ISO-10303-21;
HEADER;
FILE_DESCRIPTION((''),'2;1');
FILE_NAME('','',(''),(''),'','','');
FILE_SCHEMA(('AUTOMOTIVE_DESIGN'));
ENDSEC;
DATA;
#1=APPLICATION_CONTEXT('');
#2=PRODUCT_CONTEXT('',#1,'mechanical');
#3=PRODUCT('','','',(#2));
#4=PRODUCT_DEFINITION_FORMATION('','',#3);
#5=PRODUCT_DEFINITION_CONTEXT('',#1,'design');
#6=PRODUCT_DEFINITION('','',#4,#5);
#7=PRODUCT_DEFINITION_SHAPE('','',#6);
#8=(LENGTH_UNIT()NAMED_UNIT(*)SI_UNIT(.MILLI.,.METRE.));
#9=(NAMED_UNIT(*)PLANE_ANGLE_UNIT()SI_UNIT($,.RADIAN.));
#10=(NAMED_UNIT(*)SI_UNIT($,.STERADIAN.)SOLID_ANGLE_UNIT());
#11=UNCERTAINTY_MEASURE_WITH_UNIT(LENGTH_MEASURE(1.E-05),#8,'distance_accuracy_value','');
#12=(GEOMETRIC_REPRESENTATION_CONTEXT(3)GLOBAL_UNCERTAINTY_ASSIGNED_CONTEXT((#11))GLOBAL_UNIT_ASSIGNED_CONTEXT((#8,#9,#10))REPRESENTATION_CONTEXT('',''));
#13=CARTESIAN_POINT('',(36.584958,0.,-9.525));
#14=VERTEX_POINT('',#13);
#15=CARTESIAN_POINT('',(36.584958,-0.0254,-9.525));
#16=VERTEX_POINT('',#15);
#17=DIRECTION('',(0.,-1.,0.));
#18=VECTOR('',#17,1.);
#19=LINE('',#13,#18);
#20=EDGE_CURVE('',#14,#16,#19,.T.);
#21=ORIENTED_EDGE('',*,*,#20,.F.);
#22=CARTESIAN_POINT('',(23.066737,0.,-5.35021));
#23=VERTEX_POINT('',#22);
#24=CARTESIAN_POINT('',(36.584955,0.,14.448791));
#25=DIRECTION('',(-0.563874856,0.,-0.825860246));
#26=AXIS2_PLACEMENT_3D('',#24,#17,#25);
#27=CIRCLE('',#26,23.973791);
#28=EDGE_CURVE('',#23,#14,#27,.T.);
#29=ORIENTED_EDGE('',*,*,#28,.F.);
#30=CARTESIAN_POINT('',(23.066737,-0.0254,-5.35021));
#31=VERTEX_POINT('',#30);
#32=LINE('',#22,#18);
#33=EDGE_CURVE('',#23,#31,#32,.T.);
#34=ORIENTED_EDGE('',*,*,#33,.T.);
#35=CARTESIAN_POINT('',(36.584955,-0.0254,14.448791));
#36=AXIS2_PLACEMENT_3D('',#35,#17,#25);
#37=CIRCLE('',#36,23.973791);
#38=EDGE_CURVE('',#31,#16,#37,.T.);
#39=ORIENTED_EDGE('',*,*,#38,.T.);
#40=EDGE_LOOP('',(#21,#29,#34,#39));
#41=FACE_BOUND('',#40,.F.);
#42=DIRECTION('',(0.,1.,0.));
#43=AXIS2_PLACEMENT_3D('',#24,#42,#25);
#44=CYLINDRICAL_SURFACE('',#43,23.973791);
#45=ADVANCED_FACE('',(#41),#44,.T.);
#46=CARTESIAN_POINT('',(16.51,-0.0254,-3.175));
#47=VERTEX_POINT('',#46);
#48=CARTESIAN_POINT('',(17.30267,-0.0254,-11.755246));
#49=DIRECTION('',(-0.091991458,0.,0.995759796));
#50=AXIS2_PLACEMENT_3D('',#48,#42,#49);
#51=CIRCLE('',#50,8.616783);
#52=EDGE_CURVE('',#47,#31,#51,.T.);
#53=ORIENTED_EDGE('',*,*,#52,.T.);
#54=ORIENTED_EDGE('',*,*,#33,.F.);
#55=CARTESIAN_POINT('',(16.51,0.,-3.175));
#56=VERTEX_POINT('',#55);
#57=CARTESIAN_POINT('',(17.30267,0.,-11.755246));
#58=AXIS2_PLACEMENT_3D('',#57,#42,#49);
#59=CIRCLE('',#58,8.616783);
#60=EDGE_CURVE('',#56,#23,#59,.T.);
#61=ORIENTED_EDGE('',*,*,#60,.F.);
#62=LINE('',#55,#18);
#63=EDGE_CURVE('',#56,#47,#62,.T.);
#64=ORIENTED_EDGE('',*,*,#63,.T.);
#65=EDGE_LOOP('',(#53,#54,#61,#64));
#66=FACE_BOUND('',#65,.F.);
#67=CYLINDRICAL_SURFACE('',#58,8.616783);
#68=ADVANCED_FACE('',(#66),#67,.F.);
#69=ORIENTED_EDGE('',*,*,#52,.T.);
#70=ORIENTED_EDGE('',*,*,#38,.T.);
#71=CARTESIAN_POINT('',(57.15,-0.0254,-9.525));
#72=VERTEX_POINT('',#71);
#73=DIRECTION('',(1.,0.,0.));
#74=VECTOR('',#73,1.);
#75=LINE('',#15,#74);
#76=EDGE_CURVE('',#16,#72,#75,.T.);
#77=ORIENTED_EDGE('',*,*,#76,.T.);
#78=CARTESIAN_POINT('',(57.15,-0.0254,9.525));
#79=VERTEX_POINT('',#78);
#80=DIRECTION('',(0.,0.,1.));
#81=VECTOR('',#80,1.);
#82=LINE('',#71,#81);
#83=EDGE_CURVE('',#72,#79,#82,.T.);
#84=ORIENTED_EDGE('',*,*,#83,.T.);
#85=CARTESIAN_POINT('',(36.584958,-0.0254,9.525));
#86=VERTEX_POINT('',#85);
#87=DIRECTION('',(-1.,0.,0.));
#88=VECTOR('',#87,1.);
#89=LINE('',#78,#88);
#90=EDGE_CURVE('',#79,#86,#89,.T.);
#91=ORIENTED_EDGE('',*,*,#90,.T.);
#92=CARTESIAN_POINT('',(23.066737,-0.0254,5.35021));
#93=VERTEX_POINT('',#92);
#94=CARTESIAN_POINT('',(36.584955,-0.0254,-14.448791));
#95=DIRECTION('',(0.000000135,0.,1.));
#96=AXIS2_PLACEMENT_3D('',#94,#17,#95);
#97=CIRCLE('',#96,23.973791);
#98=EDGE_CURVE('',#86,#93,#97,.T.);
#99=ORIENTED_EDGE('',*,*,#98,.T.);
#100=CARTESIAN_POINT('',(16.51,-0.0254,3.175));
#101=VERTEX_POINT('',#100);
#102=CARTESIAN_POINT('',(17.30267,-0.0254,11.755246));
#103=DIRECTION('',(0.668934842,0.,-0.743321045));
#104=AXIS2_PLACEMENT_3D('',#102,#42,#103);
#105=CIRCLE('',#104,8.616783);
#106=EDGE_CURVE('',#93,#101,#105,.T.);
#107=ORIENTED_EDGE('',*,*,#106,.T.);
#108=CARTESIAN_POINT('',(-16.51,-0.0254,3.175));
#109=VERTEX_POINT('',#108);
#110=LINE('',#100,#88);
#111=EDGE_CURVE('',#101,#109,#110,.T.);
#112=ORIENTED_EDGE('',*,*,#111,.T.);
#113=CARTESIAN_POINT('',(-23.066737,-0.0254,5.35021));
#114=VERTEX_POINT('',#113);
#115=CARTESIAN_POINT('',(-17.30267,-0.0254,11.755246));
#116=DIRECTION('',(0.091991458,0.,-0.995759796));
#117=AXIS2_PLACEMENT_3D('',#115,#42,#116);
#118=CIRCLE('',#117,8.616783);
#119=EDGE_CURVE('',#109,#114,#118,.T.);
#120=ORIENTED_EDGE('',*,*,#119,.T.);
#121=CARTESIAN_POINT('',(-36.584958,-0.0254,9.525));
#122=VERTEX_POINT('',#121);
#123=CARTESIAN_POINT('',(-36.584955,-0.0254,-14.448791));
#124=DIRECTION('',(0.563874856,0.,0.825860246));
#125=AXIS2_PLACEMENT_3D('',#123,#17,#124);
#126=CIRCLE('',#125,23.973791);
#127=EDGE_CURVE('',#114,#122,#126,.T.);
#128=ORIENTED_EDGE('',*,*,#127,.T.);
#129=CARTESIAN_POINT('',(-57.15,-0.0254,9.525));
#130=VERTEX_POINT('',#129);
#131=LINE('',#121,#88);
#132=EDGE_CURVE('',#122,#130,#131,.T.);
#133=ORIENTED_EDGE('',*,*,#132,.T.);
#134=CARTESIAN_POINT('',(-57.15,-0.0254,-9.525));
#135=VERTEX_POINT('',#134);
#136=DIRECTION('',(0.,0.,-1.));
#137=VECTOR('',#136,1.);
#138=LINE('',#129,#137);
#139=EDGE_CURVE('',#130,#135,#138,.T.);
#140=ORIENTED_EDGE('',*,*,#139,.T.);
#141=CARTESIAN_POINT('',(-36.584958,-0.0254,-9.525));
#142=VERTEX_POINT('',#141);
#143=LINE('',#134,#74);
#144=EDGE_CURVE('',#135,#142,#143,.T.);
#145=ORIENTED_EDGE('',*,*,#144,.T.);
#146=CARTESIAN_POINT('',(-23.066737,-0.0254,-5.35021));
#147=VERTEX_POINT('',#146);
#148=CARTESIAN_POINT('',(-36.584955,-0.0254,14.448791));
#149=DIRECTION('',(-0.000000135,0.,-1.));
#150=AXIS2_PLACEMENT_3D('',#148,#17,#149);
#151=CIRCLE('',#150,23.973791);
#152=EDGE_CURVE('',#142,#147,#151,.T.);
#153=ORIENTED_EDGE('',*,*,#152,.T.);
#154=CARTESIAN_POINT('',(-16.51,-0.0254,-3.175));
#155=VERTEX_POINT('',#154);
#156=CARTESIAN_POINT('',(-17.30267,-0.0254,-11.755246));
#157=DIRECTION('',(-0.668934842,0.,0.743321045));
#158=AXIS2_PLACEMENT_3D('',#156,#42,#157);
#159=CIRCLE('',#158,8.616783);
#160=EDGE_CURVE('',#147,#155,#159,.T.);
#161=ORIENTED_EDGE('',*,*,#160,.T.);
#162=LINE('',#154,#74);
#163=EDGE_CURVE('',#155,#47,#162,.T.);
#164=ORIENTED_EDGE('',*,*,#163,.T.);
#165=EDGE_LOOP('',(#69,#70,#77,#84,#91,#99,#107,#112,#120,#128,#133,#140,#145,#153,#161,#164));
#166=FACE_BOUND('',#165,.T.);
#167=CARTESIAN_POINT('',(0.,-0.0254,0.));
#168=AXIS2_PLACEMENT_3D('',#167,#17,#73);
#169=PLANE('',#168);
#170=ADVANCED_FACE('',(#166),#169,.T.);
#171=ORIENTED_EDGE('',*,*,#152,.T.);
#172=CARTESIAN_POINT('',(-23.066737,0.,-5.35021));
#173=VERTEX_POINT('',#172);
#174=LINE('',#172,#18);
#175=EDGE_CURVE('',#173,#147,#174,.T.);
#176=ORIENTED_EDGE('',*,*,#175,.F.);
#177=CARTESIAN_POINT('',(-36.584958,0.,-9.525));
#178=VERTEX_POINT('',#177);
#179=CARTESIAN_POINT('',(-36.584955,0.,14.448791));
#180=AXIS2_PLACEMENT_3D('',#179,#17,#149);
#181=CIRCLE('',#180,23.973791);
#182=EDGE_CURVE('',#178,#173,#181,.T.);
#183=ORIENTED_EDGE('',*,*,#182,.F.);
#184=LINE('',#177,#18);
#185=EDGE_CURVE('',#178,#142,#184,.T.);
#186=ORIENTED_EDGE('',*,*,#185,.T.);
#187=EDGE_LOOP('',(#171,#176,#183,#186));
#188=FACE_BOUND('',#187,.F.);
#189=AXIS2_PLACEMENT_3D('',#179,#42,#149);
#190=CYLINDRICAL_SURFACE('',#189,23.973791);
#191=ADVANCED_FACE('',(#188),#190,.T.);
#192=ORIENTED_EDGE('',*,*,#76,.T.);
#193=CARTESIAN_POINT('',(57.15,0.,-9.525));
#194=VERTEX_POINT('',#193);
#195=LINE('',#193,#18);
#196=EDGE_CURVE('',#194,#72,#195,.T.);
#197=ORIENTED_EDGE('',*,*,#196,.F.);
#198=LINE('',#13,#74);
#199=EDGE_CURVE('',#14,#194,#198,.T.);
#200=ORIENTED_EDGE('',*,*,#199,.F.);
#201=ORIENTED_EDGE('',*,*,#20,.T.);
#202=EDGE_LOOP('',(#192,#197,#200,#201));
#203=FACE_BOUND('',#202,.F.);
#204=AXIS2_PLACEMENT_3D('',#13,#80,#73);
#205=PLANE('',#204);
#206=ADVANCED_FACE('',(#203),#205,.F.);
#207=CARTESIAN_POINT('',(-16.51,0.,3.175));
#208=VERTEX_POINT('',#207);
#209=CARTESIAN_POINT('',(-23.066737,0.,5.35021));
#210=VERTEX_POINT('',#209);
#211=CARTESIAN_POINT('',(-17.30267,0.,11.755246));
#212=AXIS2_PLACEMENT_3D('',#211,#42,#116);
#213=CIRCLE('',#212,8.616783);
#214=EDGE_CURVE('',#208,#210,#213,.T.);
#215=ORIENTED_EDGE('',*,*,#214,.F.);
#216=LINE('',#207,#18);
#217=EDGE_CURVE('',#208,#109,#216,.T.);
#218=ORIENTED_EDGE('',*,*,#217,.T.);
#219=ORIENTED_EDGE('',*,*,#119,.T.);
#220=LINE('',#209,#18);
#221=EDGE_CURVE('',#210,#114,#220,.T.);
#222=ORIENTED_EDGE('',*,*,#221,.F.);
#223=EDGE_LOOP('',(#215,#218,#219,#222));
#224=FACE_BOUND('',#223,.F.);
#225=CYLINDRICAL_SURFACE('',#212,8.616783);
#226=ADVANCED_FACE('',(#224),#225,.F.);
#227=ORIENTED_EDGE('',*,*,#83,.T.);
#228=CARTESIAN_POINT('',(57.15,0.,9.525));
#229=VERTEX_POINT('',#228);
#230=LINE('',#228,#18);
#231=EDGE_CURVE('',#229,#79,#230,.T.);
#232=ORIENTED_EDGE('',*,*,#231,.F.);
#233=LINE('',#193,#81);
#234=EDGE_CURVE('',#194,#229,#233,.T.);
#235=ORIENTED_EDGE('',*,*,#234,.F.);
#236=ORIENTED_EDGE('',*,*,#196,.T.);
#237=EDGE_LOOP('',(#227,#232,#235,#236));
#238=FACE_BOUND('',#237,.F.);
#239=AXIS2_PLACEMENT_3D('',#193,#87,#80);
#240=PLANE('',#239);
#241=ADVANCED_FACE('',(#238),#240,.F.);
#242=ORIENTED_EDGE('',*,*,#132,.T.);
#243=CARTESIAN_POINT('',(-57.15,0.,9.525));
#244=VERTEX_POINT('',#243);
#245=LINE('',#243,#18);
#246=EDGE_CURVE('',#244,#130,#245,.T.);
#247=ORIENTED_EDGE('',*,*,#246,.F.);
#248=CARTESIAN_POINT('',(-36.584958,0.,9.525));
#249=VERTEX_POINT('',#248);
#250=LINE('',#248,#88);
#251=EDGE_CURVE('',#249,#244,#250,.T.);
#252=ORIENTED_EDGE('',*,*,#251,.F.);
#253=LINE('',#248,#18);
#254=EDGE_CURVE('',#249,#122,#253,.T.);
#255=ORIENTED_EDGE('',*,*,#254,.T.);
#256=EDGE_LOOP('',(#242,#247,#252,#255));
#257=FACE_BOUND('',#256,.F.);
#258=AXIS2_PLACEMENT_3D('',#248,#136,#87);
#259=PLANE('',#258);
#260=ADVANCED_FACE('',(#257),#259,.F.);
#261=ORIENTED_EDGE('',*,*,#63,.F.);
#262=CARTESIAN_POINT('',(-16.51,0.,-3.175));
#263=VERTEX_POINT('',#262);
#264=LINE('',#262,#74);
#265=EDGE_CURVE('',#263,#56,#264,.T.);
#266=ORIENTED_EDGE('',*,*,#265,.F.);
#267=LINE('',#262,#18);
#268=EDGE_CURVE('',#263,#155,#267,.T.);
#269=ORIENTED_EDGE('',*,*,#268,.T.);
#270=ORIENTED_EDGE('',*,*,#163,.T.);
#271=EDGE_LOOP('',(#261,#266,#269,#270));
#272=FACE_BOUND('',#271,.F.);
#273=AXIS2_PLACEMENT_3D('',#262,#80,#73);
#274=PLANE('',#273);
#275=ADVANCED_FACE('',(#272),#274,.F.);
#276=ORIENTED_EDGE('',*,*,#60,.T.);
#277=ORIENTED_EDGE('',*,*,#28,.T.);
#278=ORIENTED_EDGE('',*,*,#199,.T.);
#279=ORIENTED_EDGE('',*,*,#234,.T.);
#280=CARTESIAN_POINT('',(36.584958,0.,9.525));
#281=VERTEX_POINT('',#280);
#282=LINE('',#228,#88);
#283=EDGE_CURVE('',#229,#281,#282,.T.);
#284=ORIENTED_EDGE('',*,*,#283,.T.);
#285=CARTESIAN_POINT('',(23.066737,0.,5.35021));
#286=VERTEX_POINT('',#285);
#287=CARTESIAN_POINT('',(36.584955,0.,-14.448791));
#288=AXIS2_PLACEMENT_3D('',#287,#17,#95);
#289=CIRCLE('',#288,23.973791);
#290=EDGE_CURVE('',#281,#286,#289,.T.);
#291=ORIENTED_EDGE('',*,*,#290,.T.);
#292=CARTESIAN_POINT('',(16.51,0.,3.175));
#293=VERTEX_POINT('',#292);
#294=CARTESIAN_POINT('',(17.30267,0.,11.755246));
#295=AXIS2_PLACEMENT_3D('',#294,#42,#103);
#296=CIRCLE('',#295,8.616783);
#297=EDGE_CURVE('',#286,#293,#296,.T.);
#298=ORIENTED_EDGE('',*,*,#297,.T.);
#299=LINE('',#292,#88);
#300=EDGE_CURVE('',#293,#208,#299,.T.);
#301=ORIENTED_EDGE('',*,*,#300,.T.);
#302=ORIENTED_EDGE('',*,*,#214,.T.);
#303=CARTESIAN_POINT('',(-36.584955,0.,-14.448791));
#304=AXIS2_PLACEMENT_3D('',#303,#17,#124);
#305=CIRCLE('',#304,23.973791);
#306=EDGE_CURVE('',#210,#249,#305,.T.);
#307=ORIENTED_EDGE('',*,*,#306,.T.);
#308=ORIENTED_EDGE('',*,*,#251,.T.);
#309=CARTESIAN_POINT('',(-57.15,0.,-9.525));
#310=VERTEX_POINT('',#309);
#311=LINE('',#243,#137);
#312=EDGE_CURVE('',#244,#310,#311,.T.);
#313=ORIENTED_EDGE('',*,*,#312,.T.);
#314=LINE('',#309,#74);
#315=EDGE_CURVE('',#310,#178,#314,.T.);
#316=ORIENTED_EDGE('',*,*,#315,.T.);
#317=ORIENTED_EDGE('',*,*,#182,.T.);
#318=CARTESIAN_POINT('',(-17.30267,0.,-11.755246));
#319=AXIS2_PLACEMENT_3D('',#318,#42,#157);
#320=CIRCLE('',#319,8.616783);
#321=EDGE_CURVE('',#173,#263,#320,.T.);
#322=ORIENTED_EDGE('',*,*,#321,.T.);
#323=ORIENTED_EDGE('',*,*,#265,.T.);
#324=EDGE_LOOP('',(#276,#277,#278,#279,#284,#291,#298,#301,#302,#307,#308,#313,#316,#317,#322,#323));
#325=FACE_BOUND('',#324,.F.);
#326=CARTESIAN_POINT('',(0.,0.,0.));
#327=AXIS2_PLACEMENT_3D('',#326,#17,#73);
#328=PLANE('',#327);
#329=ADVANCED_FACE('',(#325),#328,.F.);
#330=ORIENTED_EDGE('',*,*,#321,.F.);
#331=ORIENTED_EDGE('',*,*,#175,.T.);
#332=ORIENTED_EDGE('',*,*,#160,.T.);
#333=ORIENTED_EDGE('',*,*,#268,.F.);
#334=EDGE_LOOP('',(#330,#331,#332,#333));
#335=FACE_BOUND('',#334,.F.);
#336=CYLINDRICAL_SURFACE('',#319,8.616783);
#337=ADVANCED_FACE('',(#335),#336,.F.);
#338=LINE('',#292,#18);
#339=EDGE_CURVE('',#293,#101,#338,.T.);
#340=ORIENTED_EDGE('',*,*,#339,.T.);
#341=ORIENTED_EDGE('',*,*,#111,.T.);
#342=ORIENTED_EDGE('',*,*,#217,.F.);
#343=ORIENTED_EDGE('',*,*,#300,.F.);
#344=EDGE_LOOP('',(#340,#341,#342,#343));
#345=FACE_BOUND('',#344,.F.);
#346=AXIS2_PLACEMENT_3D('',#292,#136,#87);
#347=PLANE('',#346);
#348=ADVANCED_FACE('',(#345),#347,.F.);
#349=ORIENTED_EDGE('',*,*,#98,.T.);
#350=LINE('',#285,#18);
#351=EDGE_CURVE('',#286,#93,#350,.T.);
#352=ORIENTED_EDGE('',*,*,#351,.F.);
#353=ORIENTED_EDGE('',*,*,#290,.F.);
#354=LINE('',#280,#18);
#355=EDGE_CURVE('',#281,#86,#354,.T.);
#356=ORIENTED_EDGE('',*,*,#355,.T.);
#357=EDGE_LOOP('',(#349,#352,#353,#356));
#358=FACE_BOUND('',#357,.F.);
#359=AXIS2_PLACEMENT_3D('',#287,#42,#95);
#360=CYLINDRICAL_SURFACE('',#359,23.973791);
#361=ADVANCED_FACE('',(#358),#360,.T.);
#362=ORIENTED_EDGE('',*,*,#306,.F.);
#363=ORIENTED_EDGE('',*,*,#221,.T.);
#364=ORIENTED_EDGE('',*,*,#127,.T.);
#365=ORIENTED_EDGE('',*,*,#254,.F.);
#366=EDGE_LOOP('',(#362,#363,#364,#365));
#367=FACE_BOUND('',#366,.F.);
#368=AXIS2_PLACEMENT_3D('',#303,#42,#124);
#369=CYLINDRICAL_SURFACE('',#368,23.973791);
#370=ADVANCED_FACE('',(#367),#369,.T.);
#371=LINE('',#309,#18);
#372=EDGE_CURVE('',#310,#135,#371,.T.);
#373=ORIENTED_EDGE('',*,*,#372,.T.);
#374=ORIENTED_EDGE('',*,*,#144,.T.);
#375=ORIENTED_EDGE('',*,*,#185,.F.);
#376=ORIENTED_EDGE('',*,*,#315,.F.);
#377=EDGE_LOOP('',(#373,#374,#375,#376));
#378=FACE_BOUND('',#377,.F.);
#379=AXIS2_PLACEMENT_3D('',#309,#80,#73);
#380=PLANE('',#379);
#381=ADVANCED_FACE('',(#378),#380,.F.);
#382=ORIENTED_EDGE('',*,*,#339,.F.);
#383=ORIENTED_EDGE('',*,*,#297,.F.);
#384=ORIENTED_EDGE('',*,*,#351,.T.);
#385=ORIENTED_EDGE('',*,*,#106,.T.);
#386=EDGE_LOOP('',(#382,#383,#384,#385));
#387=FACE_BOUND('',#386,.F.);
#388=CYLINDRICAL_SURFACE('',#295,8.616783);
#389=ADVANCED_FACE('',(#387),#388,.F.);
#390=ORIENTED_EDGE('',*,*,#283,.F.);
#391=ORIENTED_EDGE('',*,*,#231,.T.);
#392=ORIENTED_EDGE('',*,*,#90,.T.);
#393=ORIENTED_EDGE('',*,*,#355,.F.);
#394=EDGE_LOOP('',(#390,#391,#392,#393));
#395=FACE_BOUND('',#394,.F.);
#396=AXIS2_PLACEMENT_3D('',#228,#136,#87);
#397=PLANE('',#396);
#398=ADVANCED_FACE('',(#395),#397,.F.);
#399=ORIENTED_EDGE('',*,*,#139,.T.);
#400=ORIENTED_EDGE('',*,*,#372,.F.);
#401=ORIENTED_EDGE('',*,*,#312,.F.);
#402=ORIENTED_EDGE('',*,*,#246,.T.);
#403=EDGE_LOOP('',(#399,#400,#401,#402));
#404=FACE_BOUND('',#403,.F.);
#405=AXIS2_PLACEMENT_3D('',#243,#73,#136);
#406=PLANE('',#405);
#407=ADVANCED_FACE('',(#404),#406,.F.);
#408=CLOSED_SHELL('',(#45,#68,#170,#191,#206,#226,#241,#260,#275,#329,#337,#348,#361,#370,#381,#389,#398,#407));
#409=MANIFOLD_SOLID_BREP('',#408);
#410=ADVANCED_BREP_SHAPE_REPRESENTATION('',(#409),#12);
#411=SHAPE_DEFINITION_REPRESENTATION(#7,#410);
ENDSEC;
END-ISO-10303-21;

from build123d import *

# Parameters (mm, degrees)
F1_DEPTH = 0.0254


with BuildPart() as f1:
    # F0 (on Front) → F1 (new body)
    with BuildSketch(Plane.XZ):
        with BuildLine():
            Line((-57.15, 9.525), (-57.15, 0))
            Line((-57.15, 0), (-57.15, -9.525))
            Line((-57.15, -9.525), (-36.584958, -9.525))
            ThreePointArc((-36.584958, -9.525), (-29.510865, -8.457538), (-23.066737, -5.35021))
            ThreePointArc((-23.066737, -5.35021), (-20.015893, -3.576776), (-16.51, -3.175))
            Line((-16.51, -3.175), (0, -3.175))
            Line((0, -3.175), (16.51, -3.175))
            ThreePointArc((16.51, -3.175), (20.015893, -3.576776), (23.066737, -5.35021))
            ThreePointArc((23.066737, -5.35021), (29.510865, -8.457538), (36.584958, -9.525))
            Line((36.584958, -9.525), (57.15, -9.525))
            Line((57.15, -9.525), (57.15, 0))
            Line((57.15, 0), (57.15, 9.525))
            Line((57.15, 9.525), (36.584958, 9.525))
            ThreePointArc((36.584958, 9.525), (29.510865, 8.457538), (23.066737, 5.35021))
            ThreePointArc((23.066737, 5.35021), (20.015893, 3.576776), (16.51, 3.175))
            Line((16.51, 3.175), (0, 3.175))
            Line((0, 3.175), (-16.51, 3.175))
            ThreePointArc((-16.51, 3.175), (-20.015893, 3.576776), (-23.066737, 5.35021))
            ThreePointArc((-23.066737, 5.35021), (-29.510865, 8.457538), (-36.584958, 9.525))
            Line((-36.584958, 9.525), (-57.15, 9.525))
        make_face()
    extrude(amount=F1_DEPTH)


solid = f1.part
